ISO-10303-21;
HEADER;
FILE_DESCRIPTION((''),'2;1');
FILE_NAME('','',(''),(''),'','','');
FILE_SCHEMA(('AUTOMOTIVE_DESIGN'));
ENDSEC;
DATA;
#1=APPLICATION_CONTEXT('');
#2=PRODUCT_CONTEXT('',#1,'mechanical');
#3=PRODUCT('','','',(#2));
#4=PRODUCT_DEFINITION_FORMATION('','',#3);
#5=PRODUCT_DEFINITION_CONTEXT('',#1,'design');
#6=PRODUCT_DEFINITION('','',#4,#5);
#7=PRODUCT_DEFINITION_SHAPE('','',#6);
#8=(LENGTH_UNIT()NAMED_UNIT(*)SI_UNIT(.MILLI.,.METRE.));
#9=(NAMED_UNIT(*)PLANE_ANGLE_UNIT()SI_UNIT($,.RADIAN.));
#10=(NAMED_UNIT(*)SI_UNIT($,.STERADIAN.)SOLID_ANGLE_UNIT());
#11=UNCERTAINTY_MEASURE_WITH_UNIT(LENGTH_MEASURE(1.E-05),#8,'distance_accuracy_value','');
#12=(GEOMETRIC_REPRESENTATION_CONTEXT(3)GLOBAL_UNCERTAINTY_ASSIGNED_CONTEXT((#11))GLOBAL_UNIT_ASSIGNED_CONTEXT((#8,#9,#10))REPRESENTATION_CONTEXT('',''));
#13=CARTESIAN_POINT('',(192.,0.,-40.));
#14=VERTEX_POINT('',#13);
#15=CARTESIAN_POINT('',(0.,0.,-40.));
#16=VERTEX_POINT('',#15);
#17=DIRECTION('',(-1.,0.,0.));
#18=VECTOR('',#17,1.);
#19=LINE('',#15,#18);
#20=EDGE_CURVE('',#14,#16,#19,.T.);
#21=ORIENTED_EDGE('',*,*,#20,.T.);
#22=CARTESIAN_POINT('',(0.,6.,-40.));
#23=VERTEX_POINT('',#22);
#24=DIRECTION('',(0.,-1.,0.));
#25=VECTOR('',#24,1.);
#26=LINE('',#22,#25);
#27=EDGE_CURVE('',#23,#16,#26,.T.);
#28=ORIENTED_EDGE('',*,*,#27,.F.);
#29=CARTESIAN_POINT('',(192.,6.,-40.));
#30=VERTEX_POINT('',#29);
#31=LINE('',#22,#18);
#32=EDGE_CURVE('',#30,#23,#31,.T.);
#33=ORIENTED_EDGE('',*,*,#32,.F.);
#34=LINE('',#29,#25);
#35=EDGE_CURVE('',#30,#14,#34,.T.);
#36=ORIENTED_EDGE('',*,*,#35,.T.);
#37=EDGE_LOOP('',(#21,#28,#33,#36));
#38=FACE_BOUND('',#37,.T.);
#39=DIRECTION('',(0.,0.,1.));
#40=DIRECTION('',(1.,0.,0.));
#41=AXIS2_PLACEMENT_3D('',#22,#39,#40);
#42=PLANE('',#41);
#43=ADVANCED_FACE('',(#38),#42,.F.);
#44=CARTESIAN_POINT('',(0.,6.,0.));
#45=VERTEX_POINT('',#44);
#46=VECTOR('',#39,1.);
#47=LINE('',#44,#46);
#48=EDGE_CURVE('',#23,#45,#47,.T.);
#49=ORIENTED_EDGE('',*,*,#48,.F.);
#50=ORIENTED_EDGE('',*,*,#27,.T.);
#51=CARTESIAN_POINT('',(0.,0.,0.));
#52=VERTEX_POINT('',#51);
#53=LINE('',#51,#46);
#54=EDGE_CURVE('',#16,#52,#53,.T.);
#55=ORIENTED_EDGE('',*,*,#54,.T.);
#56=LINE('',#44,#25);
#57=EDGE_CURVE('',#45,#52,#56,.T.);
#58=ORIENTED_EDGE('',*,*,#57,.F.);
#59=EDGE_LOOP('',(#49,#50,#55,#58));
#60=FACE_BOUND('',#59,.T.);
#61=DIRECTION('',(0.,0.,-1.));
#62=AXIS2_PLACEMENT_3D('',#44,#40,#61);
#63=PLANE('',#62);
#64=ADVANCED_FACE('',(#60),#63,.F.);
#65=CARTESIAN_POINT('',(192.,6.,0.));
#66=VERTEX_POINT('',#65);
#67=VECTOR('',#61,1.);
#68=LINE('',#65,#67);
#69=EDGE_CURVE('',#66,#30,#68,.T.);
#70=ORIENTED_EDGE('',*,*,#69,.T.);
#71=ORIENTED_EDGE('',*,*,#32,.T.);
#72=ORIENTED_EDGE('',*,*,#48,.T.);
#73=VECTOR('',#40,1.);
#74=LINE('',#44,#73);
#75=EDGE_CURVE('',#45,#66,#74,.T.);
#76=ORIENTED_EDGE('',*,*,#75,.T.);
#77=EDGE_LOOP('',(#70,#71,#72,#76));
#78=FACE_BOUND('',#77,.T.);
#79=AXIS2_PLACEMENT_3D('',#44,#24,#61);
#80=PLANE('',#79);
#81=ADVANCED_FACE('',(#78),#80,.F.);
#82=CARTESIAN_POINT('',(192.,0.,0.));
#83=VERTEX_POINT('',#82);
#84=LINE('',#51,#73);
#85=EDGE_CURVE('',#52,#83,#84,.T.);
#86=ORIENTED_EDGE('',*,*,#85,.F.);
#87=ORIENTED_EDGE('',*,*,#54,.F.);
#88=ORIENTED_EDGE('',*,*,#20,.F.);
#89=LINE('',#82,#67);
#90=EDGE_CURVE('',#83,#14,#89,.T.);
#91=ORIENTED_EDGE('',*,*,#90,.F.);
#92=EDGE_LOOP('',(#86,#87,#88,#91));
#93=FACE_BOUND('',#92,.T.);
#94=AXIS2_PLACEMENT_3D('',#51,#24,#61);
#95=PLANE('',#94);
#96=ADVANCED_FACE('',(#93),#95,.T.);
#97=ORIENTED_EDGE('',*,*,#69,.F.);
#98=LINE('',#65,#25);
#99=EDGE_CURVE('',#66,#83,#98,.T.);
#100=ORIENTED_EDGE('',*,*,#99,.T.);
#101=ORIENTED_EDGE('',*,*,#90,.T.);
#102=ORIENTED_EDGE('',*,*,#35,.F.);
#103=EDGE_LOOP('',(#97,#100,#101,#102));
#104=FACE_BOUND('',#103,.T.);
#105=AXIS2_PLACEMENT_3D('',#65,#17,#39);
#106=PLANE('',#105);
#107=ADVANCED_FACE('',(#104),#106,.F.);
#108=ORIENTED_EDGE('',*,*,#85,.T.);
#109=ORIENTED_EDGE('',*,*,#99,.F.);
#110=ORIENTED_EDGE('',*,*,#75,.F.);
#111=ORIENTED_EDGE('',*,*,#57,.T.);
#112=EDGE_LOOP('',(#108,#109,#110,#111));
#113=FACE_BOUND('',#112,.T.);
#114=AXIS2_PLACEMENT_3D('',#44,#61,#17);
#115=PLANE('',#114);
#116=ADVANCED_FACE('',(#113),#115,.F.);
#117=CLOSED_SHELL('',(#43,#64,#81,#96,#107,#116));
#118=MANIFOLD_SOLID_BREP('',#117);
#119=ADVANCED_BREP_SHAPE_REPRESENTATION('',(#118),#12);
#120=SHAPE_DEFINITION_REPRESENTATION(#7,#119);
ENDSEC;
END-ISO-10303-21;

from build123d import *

# Parameters (mm, degrees)
SKIZZE1_W                       = 192
SKIZZE1_H                       = 40
AUFSATZ_LINEAR_AUSTRAGEN1_DEPTH = 6


with BuildPart() as part:
    # Skizze1 → Aufsatz-Linear austragen1 (new body)
    with BuildSketch(Plane(origin=(0, 0, 0), x_dir=(1, 0, 0), z_dir=(0, 1, 0))):
        with Locations((96, 20)):
            Rectangle(SKIZZE1_W, SKIZZE1_H)
    extrude(amount=AUFSATZ_LINEAR_AUSTRAGEN1_DEPTH)


solid = part.part
